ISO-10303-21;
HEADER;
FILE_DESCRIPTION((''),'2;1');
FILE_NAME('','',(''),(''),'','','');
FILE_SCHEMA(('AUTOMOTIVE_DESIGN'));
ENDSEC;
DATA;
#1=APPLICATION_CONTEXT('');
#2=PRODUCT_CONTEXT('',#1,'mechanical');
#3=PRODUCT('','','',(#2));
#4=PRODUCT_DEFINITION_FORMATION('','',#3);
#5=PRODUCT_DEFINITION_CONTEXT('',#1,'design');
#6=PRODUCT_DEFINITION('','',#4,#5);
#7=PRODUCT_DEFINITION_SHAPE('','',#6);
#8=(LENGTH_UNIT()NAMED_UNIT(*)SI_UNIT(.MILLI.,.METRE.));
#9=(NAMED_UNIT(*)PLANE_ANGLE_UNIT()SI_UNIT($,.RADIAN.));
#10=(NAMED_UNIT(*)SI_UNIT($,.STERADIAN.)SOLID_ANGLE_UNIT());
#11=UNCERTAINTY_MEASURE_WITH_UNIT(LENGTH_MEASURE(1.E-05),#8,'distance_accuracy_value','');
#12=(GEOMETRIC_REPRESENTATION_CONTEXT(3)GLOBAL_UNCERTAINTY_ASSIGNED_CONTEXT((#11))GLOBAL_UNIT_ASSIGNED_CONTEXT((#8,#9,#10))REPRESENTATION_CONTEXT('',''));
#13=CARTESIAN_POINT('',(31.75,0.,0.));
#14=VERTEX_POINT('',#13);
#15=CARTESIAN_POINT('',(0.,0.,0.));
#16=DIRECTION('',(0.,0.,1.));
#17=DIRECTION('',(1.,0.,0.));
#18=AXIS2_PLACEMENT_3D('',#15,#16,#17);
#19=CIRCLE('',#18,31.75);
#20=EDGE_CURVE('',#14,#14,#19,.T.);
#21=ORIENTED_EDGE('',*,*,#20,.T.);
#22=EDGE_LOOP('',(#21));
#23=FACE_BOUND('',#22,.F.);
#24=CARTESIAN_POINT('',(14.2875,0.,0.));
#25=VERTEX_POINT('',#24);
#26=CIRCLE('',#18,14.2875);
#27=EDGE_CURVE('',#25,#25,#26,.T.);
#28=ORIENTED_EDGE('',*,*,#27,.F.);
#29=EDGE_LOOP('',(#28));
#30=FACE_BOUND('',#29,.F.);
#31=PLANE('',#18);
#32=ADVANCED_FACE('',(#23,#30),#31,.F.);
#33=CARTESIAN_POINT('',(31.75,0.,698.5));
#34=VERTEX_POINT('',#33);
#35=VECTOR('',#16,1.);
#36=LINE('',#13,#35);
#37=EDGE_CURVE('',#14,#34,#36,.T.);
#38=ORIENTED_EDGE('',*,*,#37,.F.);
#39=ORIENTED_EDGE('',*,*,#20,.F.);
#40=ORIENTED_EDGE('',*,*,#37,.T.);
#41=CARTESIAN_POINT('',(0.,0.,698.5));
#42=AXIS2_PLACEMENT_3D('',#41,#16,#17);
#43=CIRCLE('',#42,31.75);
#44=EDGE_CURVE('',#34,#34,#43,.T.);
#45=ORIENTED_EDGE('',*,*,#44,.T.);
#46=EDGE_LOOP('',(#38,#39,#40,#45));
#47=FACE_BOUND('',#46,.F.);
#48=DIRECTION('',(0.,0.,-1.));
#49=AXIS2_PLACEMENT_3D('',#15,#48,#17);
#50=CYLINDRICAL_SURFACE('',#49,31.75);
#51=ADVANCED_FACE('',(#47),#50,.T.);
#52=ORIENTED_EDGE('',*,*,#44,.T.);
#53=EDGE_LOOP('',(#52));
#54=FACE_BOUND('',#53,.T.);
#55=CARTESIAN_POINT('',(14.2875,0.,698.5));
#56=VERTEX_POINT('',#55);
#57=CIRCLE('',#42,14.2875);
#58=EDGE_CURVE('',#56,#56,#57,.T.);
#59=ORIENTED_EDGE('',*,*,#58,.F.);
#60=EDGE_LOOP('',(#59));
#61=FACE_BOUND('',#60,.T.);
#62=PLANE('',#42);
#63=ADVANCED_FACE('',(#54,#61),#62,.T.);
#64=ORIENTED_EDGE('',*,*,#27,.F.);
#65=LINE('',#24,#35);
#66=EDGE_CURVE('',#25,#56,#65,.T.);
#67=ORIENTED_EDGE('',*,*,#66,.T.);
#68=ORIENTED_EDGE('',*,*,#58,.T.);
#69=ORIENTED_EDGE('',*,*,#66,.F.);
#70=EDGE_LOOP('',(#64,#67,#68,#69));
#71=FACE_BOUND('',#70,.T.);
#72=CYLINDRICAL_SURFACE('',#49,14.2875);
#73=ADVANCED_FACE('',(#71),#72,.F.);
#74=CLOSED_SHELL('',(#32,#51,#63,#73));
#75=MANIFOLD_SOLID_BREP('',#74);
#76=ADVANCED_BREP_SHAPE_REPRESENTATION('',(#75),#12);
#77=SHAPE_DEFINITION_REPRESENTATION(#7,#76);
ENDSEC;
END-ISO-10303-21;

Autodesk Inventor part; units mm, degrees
ref_plane "YZ Plane" through (0, 0, 0) normal (1, 0, 0) x (0, 1, 0)
ref_plane "XZ Plane" through (0, 0, 0) normal (0, 1, 0) x (-1, 0, 0)
ref_plane "XY Plane" through (0, 0, 0) normal (0, 0, 1) x (1, 0, 0)
sketch "Sketch1" plane through (0, 0, 0) normal (0, 0, 1) x (1, 0, 0)
  circle A0 centre (0, 0) radius 31.75
  circle A1 centre (0, 0) radius 14.2875
  dimension "d0" = 63.5
  dimension "d1" = 28.575
extrude "Extrusion1" add sketch "Sketch1" along normal blind 698.5
properties part number "Long Pool Noodle"
